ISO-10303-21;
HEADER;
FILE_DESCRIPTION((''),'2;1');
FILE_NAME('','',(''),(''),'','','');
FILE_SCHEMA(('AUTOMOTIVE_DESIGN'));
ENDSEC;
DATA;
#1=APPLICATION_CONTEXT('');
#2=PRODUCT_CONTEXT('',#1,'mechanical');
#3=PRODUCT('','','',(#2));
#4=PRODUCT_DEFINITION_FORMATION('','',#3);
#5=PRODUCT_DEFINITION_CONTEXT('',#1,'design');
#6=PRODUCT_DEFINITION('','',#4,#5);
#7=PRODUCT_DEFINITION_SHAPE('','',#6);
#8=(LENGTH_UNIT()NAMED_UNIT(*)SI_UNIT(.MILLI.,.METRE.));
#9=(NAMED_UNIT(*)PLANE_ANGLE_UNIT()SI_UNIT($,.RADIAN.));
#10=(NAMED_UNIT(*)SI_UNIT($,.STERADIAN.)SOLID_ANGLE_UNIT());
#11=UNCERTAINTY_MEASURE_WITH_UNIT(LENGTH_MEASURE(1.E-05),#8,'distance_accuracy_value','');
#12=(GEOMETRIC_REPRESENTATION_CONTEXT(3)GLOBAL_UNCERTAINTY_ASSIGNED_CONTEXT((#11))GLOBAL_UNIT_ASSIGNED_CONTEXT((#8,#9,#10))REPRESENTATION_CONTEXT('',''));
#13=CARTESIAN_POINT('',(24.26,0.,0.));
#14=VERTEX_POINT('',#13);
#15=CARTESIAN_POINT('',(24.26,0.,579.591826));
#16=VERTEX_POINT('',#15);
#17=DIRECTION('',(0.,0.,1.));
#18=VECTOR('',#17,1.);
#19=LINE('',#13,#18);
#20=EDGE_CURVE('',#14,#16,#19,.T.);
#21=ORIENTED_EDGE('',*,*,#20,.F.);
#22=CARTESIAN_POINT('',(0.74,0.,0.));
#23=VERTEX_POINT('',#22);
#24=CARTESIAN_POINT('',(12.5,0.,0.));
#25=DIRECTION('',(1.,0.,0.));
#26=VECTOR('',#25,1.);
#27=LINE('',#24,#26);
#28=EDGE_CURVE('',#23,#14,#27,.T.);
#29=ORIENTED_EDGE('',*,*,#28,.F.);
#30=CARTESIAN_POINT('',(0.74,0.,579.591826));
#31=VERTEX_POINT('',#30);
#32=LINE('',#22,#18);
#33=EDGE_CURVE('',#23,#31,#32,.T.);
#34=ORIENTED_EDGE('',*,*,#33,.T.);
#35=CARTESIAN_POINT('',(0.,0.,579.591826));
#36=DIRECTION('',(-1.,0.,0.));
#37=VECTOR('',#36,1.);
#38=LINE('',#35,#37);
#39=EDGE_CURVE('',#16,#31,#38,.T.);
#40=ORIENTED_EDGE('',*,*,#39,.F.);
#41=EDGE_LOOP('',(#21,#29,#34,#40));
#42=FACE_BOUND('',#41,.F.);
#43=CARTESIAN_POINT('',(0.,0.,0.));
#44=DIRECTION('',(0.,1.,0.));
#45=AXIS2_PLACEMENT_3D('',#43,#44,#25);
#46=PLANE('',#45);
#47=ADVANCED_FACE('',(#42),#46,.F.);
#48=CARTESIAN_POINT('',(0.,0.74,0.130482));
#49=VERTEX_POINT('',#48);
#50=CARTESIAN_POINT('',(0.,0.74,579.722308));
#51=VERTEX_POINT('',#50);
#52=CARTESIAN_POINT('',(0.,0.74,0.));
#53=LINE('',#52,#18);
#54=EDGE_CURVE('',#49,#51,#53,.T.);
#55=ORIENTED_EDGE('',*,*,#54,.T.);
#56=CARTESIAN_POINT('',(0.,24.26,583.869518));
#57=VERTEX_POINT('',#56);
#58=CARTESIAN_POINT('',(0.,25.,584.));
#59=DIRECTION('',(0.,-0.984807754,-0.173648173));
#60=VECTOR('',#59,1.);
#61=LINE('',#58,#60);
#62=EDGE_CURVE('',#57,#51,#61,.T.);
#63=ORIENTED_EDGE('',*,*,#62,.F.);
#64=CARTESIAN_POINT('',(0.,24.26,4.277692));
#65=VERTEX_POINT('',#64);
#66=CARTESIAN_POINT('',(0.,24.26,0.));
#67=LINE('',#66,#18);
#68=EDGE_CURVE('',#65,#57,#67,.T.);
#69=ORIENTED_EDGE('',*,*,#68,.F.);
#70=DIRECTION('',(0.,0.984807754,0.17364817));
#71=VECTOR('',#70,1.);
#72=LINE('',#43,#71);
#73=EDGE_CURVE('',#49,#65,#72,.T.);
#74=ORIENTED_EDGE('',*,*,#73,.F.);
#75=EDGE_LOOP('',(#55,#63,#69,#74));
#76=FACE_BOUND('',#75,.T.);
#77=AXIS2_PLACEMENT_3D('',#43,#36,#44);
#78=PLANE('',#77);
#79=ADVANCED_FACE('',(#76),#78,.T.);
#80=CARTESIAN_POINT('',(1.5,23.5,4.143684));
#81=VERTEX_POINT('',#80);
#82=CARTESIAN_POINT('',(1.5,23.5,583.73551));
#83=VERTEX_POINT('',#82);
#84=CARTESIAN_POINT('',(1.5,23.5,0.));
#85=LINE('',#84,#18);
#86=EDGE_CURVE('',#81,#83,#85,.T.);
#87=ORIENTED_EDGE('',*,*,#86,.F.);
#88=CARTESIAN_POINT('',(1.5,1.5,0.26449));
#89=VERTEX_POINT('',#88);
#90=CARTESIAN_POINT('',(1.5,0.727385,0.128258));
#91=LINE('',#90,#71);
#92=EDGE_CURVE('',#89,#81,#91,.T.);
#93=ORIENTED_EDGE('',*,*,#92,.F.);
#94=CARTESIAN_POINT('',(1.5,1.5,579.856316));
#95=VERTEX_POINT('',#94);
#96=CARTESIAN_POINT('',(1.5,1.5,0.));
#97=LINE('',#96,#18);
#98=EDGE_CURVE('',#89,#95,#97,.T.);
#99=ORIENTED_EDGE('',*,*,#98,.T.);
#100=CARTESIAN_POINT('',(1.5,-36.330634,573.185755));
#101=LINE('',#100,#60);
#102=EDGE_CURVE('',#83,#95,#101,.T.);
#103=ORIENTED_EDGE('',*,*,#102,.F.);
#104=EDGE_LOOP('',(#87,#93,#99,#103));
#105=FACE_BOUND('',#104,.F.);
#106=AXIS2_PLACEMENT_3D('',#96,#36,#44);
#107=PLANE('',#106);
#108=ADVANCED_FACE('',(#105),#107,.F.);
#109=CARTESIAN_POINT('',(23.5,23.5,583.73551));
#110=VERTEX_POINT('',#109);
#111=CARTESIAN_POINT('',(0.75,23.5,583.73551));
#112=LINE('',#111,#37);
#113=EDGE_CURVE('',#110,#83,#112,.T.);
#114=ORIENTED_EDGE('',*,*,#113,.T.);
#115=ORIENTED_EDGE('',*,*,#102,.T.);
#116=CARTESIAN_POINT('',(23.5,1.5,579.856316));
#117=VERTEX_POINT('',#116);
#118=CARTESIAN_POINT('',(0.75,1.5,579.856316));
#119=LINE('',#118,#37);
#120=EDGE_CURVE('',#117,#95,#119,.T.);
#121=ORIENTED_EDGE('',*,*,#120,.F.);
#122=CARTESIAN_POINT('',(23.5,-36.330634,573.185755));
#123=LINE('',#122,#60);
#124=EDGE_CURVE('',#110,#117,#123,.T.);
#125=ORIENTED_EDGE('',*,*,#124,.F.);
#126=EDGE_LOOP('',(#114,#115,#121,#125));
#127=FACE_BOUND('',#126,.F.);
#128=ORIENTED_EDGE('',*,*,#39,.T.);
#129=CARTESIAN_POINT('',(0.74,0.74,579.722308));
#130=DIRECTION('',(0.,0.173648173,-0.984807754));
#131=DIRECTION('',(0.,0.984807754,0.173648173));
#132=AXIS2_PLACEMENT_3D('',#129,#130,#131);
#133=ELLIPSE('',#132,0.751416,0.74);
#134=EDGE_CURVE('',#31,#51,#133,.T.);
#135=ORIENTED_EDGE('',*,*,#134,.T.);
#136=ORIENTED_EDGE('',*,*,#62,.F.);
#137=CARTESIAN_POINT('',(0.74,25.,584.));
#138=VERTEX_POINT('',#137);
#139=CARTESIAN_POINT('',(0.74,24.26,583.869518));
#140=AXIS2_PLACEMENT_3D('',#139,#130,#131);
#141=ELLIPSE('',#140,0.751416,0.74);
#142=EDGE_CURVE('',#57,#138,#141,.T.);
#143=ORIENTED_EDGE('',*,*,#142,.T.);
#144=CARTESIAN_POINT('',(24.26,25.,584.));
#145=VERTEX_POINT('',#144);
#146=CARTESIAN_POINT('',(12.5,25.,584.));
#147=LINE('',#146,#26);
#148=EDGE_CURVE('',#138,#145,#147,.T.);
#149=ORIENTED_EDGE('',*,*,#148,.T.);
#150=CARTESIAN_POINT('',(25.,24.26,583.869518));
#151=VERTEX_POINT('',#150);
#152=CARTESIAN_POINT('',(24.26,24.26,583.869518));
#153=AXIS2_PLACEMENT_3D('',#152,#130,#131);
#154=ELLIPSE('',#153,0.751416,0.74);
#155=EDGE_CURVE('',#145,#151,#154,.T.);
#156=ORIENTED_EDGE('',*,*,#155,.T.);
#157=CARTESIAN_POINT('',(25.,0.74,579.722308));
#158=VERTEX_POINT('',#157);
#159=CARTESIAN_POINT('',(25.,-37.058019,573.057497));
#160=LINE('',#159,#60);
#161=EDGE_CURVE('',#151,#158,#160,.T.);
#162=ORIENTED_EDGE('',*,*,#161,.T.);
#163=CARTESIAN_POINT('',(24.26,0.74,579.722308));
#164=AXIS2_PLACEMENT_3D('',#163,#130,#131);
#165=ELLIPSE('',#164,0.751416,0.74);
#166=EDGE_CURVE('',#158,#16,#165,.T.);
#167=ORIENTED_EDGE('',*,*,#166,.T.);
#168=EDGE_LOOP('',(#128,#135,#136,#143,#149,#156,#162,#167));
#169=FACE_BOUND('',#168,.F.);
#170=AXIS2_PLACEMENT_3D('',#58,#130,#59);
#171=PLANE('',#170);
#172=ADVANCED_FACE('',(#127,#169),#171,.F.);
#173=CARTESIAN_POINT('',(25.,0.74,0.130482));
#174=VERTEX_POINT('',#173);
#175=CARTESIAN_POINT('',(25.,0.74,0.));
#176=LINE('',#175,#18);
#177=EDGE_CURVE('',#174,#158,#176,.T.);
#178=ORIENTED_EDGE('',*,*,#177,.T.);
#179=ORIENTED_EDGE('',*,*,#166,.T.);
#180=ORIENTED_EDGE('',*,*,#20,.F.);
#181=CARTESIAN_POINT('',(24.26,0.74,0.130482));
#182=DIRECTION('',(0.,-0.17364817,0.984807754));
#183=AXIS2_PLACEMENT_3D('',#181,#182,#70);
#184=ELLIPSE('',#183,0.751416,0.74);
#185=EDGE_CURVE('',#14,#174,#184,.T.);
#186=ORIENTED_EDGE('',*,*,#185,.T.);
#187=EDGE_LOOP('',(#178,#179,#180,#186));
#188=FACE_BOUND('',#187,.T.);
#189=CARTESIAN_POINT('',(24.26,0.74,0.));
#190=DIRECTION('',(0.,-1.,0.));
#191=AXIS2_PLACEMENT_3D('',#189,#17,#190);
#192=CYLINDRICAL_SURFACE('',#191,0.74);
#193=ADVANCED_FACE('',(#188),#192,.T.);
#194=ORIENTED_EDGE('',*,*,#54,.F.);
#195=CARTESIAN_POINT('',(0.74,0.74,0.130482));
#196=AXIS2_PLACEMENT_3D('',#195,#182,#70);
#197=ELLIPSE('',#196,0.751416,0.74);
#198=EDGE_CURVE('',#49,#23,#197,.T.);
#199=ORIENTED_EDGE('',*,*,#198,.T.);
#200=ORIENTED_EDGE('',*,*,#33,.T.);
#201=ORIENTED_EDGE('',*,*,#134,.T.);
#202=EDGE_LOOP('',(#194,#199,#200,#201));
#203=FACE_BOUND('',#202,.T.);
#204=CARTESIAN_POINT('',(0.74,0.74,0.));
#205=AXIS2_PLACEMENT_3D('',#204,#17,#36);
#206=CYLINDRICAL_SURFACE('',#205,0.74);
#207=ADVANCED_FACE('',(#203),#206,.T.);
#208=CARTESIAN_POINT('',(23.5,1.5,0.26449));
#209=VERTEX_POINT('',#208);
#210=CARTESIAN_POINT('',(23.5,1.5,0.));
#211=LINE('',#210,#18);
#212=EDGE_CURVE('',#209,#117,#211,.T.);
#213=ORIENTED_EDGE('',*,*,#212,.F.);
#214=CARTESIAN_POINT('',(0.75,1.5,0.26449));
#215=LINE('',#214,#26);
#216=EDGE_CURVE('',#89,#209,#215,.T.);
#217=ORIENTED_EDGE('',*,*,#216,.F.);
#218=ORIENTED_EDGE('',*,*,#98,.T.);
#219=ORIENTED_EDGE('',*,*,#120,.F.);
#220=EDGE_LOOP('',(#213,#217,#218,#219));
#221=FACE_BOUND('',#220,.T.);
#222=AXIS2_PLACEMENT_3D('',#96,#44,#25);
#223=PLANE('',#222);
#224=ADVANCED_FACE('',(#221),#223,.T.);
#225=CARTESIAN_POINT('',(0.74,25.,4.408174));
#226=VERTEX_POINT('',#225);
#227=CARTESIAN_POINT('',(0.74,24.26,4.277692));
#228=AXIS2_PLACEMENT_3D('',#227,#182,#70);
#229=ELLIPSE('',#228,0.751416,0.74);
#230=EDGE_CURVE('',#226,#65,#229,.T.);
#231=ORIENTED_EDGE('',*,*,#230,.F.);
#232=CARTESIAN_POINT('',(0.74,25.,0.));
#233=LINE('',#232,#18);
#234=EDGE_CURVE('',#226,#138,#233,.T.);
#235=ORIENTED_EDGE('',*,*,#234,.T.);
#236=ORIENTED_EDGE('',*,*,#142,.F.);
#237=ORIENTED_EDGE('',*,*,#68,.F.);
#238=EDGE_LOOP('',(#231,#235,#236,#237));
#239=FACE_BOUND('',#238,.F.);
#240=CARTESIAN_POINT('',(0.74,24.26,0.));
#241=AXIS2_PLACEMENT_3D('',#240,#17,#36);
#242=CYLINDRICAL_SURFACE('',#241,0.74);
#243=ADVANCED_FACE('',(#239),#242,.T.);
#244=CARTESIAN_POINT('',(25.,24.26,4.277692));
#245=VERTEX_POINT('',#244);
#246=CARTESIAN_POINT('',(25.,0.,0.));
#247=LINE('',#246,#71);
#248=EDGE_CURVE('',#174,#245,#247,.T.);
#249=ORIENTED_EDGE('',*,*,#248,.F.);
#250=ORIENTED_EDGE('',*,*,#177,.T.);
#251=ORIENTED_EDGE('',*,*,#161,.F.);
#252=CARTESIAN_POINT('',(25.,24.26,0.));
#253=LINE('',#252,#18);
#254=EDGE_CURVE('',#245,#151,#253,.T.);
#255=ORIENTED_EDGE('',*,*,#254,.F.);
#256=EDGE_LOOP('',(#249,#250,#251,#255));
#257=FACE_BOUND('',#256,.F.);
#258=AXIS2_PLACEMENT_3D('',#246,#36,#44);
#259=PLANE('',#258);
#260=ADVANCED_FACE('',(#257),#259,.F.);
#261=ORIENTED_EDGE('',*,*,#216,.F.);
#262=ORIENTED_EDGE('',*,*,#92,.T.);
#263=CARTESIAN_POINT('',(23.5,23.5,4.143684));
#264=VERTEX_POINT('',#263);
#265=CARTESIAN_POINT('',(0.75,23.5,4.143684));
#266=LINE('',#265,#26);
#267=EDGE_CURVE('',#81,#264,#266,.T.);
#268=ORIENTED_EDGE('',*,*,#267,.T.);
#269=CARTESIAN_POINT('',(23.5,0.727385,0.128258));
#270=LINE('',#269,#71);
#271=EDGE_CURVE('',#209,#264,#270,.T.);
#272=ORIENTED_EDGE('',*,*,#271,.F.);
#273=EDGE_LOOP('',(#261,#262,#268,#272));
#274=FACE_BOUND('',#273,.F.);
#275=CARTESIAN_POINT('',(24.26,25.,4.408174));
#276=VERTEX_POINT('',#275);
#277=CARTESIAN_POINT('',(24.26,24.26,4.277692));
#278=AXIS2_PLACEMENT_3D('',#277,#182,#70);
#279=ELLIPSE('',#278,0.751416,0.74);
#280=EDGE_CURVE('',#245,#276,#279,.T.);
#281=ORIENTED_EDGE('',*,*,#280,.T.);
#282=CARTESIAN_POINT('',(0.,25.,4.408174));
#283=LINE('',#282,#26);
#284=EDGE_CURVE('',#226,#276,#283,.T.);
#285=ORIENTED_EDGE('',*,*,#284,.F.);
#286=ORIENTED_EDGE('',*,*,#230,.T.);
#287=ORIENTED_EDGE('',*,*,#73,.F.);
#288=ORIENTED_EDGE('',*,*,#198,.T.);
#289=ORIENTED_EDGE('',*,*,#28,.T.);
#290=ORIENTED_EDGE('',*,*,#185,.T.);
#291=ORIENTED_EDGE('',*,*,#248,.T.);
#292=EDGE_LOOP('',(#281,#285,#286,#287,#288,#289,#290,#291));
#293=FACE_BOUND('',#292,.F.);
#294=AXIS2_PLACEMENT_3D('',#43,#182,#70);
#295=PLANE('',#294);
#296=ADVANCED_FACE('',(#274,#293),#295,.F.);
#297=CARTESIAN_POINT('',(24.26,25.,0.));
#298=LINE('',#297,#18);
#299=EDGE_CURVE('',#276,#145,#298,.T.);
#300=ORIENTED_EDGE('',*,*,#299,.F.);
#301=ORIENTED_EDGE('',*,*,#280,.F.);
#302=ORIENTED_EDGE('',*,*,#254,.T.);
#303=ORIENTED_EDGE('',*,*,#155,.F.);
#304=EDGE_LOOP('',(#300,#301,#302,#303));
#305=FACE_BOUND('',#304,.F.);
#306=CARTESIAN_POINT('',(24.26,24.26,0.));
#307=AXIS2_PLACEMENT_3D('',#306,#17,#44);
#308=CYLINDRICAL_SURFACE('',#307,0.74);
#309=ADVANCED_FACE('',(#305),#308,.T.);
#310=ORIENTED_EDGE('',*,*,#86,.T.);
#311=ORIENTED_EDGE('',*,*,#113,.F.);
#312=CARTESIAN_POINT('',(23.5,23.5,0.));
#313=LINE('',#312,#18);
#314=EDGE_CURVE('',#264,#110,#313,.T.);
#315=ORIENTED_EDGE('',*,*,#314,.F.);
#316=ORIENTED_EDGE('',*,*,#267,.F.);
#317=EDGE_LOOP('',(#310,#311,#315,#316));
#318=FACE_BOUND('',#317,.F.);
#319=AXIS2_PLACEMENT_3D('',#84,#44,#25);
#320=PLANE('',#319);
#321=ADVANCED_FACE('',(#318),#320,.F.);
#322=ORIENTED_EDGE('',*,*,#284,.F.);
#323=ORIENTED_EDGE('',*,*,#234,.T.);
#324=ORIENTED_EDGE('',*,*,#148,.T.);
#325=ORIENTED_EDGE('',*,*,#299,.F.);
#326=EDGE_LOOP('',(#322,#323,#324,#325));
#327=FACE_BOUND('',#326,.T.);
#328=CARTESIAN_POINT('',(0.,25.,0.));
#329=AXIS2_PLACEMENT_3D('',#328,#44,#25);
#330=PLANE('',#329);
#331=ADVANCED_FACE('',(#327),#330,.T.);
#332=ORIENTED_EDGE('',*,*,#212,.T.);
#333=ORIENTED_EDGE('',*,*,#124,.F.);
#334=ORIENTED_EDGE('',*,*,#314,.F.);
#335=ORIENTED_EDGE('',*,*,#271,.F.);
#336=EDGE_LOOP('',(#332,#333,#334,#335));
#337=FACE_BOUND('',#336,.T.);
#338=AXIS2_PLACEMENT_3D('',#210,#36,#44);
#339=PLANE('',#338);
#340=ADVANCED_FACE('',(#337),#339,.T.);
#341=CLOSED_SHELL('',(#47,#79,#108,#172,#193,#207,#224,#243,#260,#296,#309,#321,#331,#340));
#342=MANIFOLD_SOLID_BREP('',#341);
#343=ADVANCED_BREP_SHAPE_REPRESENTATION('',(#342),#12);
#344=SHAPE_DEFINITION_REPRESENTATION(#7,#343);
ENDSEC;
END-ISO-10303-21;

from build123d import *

# Parameters (mm, degrees)
SKETCH_W     = 25
SKETCH_H     = 25
SKETCH_W_2   = 22
SKETCH_H_2   = 22
PAD_DEPTH    = 584
FILLET_R     = 0.74
POCKET_DEPTH = 25.001


with BuildPart() as part:
    # Sketch → Pad (new body)
    with BuildSketch(Plane.XY):
        with Locations((12.5, 12.5)):
            Rectangle(SKETCH_W, SKETCH_H)
        with Locations((12.5, 12.5)):
            Rectangle(SKETCH_W_2, SKETCH_H_2, mode=Mode.SUBTRACT)
    extrude(amount=PAD_DEPTH)

    # Fillet
    fillet_edges = [part.edges().sort_by_distance(p)[0] for p in [
        (25, 0, 292),
        (0, 0, 292),
        (25, 25, 292),
        (0, 25, 292),
    ]]
    fillet(fillet_edges, radius=FILLET_R)

    # Sketch001 (on Face6 of Fillet) → Pocket (cut, through all)
    with BuildSketch(Plane(origin=(0, 0, 0), x_dir=(0, -1, 0), z_dir=(-1, 0, 0))):
        Polygon((0, 0), (-42.305785, 7.459651), (-25.0585, -14.483582), align=None)
        Polygon((-25, 584), (31.802426, 573.9842), (24.213916, 600.392365), align=None)
    extrude(amount=-POCKET_DEPTH, mode=Mode.SUBTRACT)


solid = part.part
